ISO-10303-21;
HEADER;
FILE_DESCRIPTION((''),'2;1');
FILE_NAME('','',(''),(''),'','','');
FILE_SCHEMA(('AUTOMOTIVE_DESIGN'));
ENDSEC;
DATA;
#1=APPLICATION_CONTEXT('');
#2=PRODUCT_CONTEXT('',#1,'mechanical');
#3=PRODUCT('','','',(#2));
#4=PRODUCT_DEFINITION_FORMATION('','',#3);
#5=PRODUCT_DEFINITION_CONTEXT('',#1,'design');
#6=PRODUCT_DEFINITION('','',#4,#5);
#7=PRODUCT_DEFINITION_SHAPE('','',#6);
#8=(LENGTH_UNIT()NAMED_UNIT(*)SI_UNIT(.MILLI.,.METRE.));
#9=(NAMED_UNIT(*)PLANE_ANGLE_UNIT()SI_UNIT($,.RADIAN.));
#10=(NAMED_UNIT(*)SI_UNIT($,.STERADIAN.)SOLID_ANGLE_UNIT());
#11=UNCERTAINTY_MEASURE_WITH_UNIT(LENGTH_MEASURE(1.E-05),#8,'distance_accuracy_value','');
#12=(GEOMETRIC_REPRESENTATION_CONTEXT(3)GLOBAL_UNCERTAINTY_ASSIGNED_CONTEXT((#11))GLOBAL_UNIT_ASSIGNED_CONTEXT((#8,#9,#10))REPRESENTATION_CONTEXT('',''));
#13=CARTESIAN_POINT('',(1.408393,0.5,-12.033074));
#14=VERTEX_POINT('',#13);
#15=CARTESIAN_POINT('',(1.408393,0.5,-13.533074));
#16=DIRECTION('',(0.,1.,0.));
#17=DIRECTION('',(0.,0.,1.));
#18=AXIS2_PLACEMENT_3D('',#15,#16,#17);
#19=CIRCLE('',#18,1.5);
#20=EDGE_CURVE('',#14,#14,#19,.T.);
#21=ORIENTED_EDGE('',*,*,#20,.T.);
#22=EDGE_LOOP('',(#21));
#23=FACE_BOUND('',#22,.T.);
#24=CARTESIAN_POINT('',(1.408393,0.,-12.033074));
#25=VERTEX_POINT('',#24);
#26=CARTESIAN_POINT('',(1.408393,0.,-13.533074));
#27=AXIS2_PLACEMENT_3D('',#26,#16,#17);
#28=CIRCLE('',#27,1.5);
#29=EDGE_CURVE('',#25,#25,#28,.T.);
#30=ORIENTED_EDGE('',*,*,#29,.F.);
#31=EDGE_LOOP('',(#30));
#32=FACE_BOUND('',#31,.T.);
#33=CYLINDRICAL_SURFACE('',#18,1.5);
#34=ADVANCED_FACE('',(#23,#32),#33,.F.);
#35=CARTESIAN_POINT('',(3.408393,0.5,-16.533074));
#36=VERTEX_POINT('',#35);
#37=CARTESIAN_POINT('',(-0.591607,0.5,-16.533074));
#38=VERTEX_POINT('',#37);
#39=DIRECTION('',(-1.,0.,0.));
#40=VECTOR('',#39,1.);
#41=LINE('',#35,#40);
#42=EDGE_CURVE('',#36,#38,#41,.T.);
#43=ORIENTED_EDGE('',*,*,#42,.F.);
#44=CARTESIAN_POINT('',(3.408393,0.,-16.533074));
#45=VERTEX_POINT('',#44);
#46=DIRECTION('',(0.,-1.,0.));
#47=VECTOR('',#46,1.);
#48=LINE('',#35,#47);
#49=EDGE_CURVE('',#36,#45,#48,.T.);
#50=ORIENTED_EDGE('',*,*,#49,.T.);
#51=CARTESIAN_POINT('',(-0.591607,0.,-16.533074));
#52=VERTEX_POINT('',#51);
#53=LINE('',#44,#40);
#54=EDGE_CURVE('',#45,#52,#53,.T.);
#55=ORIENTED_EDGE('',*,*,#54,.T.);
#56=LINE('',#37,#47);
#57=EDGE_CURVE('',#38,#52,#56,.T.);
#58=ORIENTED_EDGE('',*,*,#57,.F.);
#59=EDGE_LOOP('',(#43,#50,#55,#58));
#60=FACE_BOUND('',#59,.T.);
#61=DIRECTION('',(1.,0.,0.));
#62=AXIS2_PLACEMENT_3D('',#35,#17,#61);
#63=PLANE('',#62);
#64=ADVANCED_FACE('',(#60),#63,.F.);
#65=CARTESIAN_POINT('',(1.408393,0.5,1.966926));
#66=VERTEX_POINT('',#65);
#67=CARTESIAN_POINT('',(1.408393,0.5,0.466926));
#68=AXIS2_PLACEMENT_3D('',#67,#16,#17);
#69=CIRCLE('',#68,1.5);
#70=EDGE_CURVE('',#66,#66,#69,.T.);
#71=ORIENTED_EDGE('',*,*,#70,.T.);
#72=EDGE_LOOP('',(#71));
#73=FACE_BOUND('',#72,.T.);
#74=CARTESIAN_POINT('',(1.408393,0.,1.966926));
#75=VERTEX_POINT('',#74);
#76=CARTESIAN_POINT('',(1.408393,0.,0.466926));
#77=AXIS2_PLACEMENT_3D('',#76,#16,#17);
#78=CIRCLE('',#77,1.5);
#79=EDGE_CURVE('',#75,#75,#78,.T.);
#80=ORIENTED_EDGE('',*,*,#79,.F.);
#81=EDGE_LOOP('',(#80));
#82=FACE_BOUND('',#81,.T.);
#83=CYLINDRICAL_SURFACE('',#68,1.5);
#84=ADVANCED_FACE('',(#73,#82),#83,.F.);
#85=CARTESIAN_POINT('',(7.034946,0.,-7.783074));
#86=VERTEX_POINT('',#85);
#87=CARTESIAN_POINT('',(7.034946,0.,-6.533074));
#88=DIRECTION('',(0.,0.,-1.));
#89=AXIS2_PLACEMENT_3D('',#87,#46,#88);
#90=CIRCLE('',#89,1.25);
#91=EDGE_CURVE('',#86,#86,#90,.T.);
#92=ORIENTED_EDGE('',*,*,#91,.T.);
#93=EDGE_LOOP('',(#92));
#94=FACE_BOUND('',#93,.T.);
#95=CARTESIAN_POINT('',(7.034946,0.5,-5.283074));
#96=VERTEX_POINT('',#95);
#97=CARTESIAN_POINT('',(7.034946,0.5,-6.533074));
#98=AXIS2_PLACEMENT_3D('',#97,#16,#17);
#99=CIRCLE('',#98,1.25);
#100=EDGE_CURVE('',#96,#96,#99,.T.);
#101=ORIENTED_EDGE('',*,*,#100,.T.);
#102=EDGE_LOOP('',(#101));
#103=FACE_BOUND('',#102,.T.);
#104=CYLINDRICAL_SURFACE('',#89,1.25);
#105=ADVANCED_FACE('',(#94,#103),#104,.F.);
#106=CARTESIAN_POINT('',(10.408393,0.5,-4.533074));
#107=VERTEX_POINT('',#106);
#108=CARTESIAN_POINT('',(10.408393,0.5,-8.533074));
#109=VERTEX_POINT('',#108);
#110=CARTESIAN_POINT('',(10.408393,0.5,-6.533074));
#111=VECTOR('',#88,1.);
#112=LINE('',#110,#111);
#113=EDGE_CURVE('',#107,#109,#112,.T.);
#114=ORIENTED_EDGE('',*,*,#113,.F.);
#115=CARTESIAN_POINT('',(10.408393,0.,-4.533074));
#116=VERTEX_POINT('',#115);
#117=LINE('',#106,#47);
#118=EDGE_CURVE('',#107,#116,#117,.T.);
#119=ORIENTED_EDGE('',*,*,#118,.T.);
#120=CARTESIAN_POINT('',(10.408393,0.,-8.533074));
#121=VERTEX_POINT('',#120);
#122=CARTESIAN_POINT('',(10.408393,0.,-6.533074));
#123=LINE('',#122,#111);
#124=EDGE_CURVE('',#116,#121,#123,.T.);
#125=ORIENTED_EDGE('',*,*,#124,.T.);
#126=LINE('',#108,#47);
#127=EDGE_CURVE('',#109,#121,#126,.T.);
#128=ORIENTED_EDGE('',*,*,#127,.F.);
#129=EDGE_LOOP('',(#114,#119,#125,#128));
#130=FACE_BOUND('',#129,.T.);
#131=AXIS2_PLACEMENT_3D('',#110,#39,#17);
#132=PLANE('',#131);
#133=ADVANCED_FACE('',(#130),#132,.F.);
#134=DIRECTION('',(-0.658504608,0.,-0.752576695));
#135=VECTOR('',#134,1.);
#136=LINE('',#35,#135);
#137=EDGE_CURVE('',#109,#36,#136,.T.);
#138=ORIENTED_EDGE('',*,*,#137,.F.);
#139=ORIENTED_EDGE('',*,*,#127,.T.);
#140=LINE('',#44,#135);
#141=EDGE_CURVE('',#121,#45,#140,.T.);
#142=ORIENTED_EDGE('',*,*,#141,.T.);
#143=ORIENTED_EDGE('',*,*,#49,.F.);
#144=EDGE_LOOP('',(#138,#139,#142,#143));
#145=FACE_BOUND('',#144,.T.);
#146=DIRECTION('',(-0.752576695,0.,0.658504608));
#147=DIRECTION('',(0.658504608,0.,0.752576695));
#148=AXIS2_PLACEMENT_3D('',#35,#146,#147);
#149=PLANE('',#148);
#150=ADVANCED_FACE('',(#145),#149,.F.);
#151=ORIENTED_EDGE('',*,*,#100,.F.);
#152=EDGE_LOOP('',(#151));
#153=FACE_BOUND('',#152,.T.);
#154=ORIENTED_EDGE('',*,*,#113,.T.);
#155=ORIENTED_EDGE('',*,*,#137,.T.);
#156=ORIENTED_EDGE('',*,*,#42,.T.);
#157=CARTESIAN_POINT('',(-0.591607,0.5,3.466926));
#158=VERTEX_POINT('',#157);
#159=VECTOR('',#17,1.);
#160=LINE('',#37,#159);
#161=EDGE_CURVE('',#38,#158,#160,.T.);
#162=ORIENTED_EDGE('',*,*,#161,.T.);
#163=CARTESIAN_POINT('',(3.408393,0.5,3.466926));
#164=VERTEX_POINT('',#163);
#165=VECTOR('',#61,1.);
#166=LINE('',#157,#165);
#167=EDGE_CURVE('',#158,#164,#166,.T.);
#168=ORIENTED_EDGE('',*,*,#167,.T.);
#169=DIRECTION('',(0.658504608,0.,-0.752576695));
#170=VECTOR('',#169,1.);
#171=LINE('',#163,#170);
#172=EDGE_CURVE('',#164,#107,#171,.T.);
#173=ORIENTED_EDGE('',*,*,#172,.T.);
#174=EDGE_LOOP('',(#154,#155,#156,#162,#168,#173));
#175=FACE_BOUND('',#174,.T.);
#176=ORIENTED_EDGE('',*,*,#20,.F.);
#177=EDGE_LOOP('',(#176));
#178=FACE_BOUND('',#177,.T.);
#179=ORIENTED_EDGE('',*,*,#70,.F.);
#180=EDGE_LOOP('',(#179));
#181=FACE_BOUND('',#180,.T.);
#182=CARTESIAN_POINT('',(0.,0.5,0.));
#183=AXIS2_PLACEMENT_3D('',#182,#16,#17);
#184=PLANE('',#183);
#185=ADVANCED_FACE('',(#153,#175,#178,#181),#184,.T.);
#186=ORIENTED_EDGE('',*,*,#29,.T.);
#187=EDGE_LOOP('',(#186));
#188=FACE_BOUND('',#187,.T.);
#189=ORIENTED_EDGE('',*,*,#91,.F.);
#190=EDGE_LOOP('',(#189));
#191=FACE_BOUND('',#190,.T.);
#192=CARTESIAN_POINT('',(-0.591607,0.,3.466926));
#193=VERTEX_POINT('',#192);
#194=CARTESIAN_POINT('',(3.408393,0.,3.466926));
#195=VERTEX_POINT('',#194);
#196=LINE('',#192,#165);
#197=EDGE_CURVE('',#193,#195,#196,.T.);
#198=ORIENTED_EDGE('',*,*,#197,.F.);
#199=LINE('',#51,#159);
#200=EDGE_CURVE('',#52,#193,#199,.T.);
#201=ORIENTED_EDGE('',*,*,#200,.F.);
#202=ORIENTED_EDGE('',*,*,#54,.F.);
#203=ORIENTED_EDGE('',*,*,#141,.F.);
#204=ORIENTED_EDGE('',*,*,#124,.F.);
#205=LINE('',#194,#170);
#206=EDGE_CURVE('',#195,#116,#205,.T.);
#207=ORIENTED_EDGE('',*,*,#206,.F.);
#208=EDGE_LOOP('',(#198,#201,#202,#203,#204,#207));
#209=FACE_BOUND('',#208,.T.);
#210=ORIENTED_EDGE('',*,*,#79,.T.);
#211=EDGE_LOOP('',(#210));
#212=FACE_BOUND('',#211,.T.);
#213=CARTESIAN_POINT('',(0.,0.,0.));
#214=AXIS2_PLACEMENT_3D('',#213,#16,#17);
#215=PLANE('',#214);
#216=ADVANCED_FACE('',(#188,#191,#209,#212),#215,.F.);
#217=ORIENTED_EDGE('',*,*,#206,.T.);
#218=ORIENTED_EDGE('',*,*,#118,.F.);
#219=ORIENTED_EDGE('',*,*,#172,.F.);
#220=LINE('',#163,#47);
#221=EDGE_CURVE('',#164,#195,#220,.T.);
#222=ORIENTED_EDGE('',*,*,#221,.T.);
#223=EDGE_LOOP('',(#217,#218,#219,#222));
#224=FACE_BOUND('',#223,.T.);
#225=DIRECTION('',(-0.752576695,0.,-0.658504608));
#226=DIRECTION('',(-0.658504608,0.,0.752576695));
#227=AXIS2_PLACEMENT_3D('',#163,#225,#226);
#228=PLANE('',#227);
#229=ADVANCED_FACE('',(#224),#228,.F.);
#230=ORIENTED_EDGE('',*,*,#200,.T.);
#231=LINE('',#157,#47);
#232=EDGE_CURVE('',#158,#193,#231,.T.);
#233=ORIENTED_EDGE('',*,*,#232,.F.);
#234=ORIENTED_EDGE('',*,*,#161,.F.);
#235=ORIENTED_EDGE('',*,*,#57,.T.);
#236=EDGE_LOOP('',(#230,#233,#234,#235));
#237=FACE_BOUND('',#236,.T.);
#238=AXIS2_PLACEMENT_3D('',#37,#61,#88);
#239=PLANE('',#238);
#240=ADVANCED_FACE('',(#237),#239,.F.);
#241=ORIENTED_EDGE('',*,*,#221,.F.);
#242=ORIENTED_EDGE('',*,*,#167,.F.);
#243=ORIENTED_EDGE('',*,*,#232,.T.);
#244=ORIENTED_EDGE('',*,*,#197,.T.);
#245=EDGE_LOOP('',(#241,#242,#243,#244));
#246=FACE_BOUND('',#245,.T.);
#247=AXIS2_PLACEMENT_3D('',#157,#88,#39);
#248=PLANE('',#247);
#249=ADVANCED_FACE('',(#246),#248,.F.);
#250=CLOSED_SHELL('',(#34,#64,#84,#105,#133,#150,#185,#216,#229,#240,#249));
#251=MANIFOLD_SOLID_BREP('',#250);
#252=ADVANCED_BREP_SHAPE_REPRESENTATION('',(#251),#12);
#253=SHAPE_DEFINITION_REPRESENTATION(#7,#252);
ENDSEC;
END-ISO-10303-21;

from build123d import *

# Parameters (mm, degrees)
BOSS_EXTRUDE1_DEPTH       = 0.5
F_3_0MM_DOWEL_HOLE1_D     = 3
F_3_0MM_DOWEL_HOLE1_DEPTH = 12.75
F_3_0MM_DOWEL_HOLE1_TIP   = 0.901290929
M3_TAPPED_HOLE2_D         = 2.5
M3_TAPPED_HOLE2_DEPTH     = 7.5
M3_TAPPED_HOLE2_TIP       = 0.751075774


with BuildPart() as part:
    # Sketch1 → Boss-Extrude1 (new body)
    with BuildSketch(Plane(origin=(0, 0, 0), x_dir=(1, 0, 0), z_dir=(0, 1, 0))):
        Polygon((-0.59160691, 16.53307367), (-0.59160691, -3.46692633), (3.40839309, -3.46692633), (10.40839309, 4.53307367), (10.40839309, 6.53307367), (10.40839309, 8.53307367), (3.40839309, 16.53307367), align=None)
    extrude(amount=BOSS_EXTRUDE1_DEPTH)

    # Ø3.0mm Dowel Hole1
    with Locations(Plane(origin=(1.40839309, 0.5, -13.53307367), x_dir=(0, 0, 1), z_dir=(0, 1, 0))):
        with Locations((0, 0), (14, 0)):
            Hole(F_3_0MM_DOWEL_HOLE1_D / 2, depth=F_3_0MM_DOWEL_HOLE1_DEPTH)
            with Locations((0, 0, -(F_3_0MM_DOWEL_HOLE1_DEPTH + F_3_0MM_DOWEL_HOLE1_TIP / 2))):  # 118° drill point
                Cone(0, F_3_0MM_DOWEL_HOLE1_D / 2, F_3_0MM_DOWEL_HOLE1_TIP, mode=Mode.SUBTRACT)

    # M3 Tapped Hole2
    with Locations(Plane(origin=(7.034946216, 0, -6.53307367), x_dir=(0, 0, -1), z_dir=(0, -1, 0))):
        with Locations((0, 0)):
            Hole(M3_TAPPED_HOLE2_D / 2, depth=M3_TAPPED_HOLE2_DEPTH)
            with Locations((0, 0, -(M3_TAPPED_HOLE2_DEPTH + M3_TAPPED_HOLE2_TIP / 2))):  # 118° drill point
                Cone(0, M3_TAPPED_HOLE2_D / 2, M3_TAPPED_HOLE2_TIP, mode=Mode.SUBTRACT)


solid = part.part
